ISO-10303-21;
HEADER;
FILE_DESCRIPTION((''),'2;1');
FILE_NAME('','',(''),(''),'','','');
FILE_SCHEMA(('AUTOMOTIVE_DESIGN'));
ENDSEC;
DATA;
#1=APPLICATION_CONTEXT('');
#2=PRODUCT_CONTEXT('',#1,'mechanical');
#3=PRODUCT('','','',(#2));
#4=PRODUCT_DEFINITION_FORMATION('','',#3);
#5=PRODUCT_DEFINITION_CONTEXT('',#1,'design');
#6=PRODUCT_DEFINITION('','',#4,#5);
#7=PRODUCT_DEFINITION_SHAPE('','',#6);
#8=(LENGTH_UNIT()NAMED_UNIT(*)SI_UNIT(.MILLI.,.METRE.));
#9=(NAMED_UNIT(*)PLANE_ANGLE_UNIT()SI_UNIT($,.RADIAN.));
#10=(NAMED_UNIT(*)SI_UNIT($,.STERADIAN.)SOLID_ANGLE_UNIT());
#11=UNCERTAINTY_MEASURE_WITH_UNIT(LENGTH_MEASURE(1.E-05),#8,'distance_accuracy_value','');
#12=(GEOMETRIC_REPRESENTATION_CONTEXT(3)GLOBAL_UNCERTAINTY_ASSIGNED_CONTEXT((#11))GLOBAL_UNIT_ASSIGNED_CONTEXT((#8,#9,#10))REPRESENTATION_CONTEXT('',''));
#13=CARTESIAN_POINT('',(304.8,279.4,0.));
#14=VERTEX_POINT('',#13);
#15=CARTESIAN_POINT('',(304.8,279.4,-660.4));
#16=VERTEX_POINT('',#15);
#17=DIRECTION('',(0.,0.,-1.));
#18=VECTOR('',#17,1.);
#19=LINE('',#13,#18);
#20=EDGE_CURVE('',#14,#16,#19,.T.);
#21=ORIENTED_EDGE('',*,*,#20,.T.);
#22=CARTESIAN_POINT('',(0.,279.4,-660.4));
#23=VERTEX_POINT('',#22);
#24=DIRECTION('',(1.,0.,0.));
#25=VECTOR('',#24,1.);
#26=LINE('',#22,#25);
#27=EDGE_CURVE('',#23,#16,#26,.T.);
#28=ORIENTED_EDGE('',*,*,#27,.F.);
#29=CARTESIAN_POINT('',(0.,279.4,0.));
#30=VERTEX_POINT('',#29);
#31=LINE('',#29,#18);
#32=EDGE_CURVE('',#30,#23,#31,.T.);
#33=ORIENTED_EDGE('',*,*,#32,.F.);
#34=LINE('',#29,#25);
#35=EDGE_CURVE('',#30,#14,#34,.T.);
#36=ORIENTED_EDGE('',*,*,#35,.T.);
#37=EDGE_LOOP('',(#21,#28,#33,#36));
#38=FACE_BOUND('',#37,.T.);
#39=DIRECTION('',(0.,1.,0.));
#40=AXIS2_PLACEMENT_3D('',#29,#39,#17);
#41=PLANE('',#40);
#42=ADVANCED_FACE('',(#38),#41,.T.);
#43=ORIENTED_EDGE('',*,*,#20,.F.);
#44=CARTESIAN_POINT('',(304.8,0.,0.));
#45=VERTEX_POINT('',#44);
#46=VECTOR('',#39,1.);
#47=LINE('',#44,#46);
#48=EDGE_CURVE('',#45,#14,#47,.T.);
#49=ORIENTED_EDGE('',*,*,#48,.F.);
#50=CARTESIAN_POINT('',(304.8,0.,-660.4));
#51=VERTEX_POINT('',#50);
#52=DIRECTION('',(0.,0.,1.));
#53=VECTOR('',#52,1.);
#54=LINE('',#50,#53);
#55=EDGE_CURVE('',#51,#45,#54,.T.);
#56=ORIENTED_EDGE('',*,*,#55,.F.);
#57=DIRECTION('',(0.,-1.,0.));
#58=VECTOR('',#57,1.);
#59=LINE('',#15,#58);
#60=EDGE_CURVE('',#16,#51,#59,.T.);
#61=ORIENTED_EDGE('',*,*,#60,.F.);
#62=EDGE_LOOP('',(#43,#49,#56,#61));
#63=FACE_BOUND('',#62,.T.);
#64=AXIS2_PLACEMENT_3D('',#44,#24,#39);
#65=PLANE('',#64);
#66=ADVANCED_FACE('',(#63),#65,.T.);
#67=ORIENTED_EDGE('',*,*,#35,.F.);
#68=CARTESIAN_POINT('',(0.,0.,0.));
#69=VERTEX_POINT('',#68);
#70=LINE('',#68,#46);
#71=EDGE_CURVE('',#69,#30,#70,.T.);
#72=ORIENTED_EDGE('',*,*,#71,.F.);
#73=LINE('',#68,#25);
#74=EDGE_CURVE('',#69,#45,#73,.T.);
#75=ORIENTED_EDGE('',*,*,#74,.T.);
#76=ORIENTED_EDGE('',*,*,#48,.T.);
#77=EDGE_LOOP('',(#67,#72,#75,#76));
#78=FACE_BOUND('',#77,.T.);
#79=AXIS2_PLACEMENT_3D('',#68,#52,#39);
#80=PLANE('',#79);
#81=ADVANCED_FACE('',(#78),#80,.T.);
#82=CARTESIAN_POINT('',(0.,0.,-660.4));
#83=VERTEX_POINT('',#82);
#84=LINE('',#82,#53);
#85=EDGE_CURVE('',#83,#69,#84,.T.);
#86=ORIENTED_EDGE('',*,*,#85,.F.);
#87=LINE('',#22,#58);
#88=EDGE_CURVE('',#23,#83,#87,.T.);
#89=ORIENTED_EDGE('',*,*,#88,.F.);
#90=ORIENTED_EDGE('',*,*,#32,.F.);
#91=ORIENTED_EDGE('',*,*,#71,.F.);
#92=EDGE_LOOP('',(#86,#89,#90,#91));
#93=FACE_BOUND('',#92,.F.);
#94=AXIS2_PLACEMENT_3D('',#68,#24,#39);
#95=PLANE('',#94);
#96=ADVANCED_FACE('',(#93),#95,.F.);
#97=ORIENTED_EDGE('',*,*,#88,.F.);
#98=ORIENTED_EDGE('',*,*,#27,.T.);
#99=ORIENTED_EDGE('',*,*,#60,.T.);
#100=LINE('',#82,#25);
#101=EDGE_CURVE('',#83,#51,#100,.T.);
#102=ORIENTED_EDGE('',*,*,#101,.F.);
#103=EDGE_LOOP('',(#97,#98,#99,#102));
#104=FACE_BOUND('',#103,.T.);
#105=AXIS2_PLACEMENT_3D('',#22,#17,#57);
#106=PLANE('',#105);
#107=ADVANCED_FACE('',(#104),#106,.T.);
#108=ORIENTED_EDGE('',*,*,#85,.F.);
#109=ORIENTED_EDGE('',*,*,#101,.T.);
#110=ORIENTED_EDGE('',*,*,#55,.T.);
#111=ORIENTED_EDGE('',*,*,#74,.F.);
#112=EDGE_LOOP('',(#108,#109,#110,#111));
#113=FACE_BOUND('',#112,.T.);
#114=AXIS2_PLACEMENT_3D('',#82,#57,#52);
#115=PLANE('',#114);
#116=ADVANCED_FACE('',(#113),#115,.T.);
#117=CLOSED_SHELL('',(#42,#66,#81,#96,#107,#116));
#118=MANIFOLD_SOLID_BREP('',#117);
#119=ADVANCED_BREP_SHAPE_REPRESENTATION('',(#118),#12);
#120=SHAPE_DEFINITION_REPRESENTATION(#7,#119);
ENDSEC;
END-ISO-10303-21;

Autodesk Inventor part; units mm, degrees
ref_plane "YZ Plane" through (0, 0, 0) normal (1, 0, 0) x (0, 1, 0)
ref_plane "XZ Plane" through (0, 0, 0) normal (0, 1, 0) x (-1, 0, 0)
ref_plane "XY Plane" through (0, 0, 0) normal (0, 0, 1) x (1, 0, 0)
sketch "Sketch1" plane through (0, 0, 0) normal (1, 0, 0) x (0, 1, 0)
  line L0 (0, 0) -> (279.4, 0)
  line L1 (279.4, 0) -> (279.4, -660.4)
  line L2 (279.4, -660.4) -> (0, -660.4)
  line L3 (0, -660.4) -> (0, 0)
  dimension "d0" = 279.4
  dimension "d1" = 660.4
extrude "Extrusion1" add sketch "Sketch1" along normal blind 304.8
properties part number "tray_dropper_frame_skeleton"
